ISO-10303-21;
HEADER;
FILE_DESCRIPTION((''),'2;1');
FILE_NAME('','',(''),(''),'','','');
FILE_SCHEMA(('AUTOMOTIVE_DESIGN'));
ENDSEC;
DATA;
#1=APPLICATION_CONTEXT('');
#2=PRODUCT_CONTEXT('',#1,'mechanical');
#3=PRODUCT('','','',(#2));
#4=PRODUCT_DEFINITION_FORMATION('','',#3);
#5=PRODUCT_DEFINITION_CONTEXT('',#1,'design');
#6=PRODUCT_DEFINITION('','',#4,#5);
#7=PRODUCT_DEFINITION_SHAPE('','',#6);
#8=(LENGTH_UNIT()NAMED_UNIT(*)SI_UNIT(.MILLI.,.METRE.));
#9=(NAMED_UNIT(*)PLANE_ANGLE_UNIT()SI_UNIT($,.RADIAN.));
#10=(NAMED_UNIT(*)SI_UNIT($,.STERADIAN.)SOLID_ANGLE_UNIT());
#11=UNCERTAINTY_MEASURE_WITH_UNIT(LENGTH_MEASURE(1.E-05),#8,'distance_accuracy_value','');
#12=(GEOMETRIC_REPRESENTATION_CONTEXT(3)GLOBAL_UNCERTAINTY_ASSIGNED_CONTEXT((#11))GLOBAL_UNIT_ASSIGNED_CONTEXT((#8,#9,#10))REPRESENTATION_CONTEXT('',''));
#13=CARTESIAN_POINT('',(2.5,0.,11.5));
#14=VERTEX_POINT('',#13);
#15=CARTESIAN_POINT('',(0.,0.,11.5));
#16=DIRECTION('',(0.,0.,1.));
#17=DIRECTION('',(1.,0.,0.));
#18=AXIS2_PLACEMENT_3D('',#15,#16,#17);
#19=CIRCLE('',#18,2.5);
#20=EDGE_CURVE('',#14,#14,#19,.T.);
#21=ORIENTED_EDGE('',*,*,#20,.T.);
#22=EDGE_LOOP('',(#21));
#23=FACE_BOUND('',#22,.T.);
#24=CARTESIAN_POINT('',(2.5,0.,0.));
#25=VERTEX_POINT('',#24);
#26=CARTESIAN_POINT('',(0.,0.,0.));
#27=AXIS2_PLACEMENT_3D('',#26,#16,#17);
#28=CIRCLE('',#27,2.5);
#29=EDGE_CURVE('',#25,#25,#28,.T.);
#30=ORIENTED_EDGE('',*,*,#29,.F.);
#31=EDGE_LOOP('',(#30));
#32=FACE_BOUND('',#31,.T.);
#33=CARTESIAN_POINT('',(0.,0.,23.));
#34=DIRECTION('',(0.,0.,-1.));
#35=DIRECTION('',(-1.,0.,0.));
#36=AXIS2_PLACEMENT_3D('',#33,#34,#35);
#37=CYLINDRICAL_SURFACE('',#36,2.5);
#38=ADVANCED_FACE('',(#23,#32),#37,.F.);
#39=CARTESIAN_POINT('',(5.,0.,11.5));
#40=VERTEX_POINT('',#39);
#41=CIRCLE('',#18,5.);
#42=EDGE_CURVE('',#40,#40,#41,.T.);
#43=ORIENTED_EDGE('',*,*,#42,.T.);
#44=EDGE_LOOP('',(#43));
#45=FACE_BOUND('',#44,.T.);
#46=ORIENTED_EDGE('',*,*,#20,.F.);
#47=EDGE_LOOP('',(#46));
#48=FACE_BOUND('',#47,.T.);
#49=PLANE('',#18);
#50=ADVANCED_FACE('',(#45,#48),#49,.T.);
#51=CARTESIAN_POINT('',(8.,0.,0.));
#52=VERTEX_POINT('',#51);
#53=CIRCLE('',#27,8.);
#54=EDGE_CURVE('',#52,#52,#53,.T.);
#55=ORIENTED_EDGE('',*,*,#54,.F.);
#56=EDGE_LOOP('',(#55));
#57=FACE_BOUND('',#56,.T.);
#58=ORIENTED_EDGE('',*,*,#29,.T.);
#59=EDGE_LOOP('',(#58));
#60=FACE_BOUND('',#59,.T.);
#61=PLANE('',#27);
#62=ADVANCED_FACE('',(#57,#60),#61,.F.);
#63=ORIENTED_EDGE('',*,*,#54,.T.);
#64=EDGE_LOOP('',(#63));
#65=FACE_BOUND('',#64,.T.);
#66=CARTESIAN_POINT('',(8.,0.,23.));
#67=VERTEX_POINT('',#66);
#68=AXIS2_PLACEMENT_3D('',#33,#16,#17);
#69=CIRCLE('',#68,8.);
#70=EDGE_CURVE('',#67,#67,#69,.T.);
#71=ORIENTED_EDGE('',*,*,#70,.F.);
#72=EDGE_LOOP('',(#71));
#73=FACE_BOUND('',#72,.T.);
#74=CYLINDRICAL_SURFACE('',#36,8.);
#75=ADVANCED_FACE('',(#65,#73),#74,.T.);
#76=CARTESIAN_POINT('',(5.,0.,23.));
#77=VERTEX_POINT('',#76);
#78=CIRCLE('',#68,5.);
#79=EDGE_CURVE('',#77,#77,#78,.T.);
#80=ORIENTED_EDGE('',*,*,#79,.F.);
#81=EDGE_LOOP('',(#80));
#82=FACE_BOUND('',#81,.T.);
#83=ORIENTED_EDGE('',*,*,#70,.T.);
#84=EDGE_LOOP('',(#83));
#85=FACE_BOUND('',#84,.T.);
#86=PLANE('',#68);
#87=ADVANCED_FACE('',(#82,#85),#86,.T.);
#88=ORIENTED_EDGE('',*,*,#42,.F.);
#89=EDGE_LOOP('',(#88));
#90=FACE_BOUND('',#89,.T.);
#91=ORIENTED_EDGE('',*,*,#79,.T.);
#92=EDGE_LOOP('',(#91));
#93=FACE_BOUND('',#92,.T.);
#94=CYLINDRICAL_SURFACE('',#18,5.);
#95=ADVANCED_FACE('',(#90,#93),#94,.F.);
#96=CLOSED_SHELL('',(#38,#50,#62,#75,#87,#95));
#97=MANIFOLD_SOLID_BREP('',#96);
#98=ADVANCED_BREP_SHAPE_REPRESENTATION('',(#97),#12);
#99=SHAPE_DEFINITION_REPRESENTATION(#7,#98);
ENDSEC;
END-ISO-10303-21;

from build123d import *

# Parameters (mm, degrees)
SKIZZE1_R                       = 8
SKIZZE1_R_2                     = 2.5
AUFSATZ_LINEAR_AUSTRAGEN1_DEPTH = 23
SKIZZE2_R                       = 5
SCHNITT_LINEAR_AUSTRAGEN1_DEPTH = 11.5


with BuildPart() as part:
    # Skizze1 → Aufsatz-Linear austragen1 (new body)
    with BuildSketch(Plane.XY):
        Circle(SKIZZE1_R)
        Circle(SKIZZE1_R_2, mode=Mode.SUBTRACT)
    extrude(amount=AUFSATZ_LINEAR_AUSTRAGEN1_DEPTH)

    # Skizze2 → Schnitt-Linear austragen1 (cut)
    with BuildSketch(Plane.XY.offset(23)):
        Circle(SKIZZE2_R)
    extrude(amount=-SCHNITT_LINEAR_AUSTRAGEN1_DEPTH, mode=Mode.SUBTRACT)


solid = part.part
